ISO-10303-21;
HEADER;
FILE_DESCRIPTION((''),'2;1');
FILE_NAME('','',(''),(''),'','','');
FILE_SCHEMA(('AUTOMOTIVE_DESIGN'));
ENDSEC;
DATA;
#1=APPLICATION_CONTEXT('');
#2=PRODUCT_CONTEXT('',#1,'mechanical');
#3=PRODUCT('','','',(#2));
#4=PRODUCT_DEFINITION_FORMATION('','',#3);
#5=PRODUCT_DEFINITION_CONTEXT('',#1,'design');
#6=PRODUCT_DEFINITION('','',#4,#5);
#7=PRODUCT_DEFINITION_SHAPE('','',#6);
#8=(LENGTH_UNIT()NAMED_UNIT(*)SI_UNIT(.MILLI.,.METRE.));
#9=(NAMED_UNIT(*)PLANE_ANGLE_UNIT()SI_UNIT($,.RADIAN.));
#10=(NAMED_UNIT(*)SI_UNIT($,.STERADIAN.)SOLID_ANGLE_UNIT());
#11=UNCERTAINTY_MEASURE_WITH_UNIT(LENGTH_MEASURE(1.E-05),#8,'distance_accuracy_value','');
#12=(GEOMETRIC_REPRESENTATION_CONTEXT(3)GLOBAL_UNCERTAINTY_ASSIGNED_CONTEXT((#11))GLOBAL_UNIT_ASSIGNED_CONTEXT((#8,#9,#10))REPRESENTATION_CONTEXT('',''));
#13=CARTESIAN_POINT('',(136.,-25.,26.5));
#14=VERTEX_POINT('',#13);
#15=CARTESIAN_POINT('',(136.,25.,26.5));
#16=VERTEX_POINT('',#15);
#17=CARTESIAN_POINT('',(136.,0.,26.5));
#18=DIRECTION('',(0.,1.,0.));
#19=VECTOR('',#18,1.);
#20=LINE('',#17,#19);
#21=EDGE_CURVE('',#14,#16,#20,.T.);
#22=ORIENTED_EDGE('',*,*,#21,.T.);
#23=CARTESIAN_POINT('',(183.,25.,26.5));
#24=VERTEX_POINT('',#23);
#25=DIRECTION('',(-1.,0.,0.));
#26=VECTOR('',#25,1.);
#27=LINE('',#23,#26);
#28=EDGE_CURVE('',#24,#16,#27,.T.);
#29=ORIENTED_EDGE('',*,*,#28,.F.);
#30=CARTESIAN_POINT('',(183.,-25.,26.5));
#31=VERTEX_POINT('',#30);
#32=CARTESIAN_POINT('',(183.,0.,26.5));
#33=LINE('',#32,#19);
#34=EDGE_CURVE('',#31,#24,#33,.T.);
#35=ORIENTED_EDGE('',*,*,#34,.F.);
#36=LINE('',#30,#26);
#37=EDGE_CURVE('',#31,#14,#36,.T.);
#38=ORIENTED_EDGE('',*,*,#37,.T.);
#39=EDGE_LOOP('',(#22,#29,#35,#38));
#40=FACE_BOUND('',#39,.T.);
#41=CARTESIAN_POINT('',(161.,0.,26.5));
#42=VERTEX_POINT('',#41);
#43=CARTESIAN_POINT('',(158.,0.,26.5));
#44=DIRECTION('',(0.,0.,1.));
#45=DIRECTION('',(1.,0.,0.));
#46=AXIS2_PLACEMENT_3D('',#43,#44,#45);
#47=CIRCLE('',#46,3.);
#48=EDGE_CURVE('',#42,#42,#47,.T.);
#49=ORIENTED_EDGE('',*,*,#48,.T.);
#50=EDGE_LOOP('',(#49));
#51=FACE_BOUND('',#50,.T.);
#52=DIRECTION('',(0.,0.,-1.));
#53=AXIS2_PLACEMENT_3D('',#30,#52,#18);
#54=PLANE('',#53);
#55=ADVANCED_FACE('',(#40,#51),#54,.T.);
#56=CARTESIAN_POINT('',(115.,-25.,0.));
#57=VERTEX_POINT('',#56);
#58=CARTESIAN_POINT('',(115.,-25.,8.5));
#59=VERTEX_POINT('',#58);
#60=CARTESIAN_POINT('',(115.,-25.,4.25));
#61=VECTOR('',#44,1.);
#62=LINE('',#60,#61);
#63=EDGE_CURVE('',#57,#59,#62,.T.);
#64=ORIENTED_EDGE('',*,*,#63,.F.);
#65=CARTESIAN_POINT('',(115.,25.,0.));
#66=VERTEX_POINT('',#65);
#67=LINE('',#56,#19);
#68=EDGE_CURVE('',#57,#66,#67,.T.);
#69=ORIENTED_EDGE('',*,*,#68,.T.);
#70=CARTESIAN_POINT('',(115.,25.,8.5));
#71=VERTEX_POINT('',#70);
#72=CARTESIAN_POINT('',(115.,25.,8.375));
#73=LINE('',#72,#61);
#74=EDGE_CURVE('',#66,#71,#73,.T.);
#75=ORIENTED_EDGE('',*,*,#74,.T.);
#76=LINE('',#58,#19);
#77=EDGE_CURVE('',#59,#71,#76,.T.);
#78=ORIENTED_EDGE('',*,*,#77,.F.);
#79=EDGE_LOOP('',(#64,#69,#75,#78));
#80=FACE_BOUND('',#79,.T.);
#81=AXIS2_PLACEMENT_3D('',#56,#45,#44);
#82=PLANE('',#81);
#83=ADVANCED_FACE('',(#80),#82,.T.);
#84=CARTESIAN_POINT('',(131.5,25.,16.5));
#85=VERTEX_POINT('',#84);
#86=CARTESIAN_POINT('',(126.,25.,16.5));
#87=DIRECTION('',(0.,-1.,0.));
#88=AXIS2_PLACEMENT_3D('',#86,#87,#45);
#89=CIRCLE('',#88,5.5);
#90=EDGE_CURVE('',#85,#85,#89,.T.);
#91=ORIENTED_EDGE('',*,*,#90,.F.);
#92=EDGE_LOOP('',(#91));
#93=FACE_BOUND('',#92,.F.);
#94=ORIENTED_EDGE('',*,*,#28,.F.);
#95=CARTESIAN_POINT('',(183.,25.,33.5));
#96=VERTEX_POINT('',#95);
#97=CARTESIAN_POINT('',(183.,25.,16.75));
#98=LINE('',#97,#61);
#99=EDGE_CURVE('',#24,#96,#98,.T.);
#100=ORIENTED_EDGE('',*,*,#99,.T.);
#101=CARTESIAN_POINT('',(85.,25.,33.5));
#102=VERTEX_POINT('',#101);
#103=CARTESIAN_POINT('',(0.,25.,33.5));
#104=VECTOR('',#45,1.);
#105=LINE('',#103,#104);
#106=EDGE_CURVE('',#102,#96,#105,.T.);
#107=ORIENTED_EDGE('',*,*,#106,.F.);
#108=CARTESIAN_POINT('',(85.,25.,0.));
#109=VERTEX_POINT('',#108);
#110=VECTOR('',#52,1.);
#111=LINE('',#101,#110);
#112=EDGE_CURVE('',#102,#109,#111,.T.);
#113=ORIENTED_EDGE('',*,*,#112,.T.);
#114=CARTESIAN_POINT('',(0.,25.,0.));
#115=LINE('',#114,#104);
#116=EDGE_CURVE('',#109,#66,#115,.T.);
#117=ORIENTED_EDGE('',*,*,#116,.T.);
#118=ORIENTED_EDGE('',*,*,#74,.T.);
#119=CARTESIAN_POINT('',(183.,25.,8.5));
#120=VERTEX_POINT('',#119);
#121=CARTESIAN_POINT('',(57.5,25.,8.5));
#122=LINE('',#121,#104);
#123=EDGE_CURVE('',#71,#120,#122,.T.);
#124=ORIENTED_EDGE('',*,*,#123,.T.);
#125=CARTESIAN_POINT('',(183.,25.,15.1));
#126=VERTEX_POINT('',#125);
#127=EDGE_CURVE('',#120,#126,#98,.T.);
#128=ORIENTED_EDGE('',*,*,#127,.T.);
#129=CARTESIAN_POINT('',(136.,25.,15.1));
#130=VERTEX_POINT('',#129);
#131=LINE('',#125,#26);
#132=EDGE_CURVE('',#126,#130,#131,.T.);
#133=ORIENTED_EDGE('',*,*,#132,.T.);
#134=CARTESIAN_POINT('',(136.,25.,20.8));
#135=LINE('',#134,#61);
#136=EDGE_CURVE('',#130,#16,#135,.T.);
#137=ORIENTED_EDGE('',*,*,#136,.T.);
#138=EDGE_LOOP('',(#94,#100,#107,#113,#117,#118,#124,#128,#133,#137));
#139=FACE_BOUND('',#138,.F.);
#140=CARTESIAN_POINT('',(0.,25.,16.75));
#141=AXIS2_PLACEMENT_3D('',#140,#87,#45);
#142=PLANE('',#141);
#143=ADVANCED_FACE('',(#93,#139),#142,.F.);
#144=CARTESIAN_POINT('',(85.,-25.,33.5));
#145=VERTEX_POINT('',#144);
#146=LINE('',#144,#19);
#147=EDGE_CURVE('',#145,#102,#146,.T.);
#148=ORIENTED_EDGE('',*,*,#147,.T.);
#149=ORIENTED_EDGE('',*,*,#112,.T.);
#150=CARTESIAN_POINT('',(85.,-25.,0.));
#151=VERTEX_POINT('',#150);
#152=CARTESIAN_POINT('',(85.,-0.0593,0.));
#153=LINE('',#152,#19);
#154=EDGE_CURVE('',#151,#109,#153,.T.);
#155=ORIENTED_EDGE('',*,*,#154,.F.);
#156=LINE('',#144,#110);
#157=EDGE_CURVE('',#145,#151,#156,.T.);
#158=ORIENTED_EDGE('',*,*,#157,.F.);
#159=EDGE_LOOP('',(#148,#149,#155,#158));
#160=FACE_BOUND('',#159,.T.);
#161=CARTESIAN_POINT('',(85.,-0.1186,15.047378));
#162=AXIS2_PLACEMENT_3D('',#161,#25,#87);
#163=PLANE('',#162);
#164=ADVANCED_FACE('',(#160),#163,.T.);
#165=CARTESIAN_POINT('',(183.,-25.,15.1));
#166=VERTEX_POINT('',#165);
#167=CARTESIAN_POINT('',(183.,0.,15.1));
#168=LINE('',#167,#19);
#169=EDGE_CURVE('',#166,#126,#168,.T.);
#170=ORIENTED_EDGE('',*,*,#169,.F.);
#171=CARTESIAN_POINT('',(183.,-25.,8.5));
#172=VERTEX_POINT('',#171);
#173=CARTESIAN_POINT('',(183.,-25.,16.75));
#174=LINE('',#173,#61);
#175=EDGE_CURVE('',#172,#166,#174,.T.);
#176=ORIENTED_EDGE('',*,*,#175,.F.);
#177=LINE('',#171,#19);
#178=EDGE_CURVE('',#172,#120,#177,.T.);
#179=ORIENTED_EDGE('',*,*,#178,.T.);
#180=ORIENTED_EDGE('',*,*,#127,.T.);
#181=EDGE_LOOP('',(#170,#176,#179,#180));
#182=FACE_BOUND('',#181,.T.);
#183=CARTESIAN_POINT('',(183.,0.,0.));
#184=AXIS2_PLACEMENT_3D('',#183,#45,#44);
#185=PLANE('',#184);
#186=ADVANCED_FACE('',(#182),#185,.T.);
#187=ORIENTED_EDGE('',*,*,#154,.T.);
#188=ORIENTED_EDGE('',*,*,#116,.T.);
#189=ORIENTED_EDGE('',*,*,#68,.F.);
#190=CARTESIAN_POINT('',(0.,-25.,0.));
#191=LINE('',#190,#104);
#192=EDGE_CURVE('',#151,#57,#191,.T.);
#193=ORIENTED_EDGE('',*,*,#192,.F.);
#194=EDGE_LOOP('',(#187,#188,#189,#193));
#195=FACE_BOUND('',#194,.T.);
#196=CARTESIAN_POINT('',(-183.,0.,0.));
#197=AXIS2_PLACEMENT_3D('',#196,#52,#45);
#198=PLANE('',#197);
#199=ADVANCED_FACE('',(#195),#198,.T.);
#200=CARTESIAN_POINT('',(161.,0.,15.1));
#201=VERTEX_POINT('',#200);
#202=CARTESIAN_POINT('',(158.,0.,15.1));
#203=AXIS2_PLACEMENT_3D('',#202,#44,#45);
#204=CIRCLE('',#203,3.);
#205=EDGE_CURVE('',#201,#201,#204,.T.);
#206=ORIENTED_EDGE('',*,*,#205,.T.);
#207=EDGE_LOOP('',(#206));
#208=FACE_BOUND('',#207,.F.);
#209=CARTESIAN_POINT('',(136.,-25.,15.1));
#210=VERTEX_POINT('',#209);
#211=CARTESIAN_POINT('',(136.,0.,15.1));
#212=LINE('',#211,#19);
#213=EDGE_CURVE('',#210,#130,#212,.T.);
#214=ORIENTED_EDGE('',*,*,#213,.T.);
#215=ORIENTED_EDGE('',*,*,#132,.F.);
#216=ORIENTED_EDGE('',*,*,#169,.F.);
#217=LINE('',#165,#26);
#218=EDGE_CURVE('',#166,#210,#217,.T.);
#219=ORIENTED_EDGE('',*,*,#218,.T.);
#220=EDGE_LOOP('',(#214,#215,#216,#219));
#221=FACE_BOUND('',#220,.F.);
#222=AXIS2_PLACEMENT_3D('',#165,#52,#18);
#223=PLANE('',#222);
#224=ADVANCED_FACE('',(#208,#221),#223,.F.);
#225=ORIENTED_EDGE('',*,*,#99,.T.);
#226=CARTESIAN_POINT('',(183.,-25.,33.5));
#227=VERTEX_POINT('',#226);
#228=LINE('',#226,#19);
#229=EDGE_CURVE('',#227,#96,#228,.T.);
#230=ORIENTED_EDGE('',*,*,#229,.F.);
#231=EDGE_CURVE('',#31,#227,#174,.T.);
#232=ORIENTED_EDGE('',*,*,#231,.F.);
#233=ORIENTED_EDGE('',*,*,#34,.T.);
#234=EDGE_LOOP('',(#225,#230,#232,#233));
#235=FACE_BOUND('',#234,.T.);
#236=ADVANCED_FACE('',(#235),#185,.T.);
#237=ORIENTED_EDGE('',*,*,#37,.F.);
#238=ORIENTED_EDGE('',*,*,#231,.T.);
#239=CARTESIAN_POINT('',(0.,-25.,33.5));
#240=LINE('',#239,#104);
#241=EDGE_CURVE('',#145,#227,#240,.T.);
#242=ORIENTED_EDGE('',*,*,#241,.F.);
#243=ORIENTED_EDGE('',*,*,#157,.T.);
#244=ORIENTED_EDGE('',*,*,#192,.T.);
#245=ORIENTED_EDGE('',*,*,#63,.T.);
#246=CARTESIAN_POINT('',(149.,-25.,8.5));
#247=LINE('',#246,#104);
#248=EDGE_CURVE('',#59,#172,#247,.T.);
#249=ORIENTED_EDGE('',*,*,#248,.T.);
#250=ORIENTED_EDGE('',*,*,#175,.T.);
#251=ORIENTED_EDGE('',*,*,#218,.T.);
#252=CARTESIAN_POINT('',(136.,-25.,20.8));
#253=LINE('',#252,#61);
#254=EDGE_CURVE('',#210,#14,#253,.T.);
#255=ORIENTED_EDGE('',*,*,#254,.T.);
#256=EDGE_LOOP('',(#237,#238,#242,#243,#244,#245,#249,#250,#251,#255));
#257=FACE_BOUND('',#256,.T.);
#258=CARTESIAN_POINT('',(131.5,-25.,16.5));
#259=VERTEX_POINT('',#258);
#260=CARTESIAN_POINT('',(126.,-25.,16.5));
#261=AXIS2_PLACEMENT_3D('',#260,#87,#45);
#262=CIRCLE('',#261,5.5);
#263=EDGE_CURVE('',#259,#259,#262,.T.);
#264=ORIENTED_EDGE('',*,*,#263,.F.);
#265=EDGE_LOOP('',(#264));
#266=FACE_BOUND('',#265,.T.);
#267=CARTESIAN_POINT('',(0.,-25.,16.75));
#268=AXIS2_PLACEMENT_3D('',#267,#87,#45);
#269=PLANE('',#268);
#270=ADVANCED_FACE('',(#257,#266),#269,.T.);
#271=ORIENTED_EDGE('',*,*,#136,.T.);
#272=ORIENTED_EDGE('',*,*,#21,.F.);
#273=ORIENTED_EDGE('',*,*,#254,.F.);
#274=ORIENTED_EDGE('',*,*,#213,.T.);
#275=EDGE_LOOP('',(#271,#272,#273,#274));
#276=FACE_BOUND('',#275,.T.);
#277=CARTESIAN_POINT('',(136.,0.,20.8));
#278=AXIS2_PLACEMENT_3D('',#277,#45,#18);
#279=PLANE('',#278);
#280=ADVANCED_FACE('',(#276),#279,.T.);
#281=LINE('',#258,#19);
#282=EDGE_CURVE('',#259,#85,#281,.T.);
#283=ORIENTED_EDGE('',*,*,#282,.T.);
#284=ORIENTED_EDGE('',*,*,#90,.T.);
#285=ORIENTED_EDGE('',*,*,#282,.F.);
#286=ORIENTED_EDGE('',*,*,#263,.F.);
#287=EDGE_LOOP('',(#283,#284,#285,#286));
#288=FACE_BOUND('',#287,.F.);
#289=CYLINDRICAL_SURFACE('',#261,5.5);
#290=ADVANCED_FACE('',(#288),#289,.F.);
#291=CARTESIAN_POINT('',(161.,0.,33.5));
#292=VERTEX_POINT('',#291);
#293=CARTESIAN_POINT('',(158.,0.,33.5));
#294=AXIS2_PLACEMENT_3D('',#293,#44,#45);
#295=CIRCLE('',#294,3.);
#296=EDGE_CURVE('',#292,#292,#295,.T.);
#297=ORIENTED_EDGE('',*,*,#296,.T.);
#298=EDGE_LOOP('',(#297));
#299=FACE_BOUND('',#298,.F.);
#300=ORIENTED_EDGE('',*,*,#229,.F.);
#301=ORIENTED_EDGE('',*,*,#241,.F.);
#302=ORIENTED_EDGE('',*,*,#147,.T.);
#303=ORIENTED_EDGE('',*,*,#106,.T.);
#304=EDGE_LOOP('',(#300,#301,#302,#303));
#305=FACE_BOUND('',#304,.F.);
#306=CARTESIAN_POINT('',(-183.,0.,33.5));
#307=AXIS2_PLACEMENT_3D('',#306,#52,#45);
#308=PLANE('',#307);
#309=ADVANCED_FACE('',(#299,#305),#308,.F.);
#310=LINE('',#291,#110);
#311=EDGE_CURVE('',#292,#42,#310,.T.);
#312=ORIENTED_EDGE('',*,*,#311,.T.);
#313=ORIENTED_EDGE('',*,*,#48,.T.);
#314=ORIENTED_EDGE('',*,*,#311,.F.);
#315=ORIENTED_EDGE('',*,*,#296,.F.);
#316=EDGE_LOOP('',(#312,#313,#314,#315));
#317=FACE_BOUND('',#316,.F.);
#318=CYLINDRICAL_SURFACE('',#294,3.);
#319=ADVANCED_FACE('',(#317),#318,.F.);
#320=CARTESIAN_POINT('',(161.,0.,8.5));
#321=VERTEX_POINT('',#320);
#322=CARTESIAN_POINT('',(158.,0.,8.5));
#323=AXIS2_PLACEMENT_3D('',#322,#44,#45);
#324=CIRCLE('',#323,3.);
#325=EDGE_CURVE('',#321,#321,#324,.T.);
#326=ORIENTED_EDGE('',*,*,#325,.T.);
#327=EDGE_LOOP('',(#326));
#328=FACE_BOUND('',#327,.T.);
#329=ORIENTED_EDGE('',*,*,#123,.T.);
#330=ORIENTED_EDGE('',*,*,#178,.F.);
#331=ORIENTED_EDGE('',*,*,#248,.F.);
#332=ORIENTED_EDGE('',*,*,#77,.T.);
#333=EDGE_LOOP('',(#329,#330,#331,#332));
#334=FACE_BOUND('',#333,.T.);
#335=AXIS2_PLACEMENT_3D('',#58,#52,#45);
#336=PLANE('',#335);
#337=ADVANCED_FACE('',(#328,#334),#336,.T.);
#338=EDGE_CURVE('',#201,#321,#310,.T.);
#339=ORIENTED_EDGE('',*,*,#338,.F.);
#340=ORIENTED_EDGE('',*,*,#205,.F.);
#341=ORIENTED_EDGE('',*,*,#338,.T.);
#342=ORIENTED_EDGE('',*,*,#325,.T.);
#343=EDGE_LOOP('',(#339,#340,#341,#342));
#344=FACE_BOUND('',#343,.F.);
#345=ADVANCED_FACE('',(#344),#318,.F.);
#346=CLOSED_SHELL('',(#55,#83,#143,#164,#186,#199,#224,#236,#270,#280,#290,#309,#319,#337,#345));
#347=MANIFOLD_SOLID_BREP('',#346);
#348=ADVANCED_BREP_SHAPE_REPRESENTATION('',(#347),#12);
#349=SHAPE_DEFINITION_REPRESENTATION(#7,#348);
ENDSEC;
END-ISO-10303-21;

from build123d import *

# Parameters (mm, degrees)
F0_W      = 366
F0_H      = 33.5
F1_DEPTH  = 25
F2_W      = 50
F2_H      = 11.4
F3_DEPTH  = 47
F4_W      = 50
F4_H      = 11.4
F5_DEPTH  = 53
F6_W      = 68
F6_H      = 8.5
F7_DEPTH  = 100
F8_W      = 170
F8_H      = 21
F9_DEPTH  = 79.8
F10_R     = 11.5
F11_DEPTH = 56
F12_W     = 78.038405627
F12_H     = 72.1084345132
F13_DEPTH = 268.001
F14_R     = 3
F15_DEPTH = 50
F16_R     = 5.5
F17_DEPTH = 100


with BuildPart() as f1:
    # F0 (on Front) → F1 (new body, symmetric)
    with BuildSketch(Plane.XZ):
        with Locations((0, 16.75)):
            Rectangle(F0_W, F0_H)
    extrude(amount=F1_DEPTH, both=True)

    # F2 (on face) → F3 (cut)
    with BuildSketch(Plane.YZ.offset(183)):
        with Locations((0, 20.8)):
            Rectangle(F2_W, F2_H)
    extrude(amount=-F3_DEPTH, mode=Mode.SUBTRACT)

    # F4 (on face) → F5 (cut)
    with BuildSketch(Plane(origin=(-183, 0, 0), x_dir=(0, -1, 0), z_dir=(-1, 0, 0))):
        with Locations((0, 20.8)):
            Rectangle(F4_W, F4_H)
    extrude(amount=-F5_DEPTH, mode=Mode.SUBTRACT)

    # F6 (on face) → F7 (cut)
    with BuildSketch(Plane.XZ.offset(25)):
        with Locations((-149, 4.25)):
            Rectangle(F6_W, F6_H)
        with Locations((149, 4.25)):
            Rectangle(F6_W, F6_H)
    extrude(amount=-F7_DEPTH, mode=Mode.SUBTRACT)

    # F8 (on face) → F9 (cut)
    with BuildSketch(Plane.XZ.offset(25)):
        with Locations((0, 23)):
            Rectangle(F8_W, F8_H)
    extrude(amount=-F9_DEPTH, mode=Mode.SUBTRACT)

    # F10 (on face) → F11 (cut)
    with BuildSketch(Plane.XY.offset(12.5)):
        Circle(F10_R)
    extrude(amount=-F11_DEPTH, mode=Mode.SUBTRACT)

    # F12 (on face) → F13 (cut, through all)
    with BuildSketch(Plane(origin=(85, 0, 0), x_dir=(0, -1, 0), z_dir=(-1, 0, 0))):
        with Locations((0.1186002046, 15.0473779067)):
            Rectangle(F12_W, F12_H)
    extrude(amount=F13_DEPTH, mode=Mode.SUBTRACT)

    # F14 (on face) → F15 (cut)
    with BuildSketch(Plane.XY.offset(33.5)):
        with Locations((158, 0)):
            Circle(F14_R)
    extrude(amount=-F15_DEPTH, mode=Mode.SUBTRACT)

    # F16 (on face) → F17 (cut)
    with BuildSketch(Plane.XZ.offset(25)):
        with Locations((126, 16.5)):
            Circle(F16_R)
    extrude(amount=-F17_DEPTH, mode=Mode.SUBTRACT)


solid = f1.part
